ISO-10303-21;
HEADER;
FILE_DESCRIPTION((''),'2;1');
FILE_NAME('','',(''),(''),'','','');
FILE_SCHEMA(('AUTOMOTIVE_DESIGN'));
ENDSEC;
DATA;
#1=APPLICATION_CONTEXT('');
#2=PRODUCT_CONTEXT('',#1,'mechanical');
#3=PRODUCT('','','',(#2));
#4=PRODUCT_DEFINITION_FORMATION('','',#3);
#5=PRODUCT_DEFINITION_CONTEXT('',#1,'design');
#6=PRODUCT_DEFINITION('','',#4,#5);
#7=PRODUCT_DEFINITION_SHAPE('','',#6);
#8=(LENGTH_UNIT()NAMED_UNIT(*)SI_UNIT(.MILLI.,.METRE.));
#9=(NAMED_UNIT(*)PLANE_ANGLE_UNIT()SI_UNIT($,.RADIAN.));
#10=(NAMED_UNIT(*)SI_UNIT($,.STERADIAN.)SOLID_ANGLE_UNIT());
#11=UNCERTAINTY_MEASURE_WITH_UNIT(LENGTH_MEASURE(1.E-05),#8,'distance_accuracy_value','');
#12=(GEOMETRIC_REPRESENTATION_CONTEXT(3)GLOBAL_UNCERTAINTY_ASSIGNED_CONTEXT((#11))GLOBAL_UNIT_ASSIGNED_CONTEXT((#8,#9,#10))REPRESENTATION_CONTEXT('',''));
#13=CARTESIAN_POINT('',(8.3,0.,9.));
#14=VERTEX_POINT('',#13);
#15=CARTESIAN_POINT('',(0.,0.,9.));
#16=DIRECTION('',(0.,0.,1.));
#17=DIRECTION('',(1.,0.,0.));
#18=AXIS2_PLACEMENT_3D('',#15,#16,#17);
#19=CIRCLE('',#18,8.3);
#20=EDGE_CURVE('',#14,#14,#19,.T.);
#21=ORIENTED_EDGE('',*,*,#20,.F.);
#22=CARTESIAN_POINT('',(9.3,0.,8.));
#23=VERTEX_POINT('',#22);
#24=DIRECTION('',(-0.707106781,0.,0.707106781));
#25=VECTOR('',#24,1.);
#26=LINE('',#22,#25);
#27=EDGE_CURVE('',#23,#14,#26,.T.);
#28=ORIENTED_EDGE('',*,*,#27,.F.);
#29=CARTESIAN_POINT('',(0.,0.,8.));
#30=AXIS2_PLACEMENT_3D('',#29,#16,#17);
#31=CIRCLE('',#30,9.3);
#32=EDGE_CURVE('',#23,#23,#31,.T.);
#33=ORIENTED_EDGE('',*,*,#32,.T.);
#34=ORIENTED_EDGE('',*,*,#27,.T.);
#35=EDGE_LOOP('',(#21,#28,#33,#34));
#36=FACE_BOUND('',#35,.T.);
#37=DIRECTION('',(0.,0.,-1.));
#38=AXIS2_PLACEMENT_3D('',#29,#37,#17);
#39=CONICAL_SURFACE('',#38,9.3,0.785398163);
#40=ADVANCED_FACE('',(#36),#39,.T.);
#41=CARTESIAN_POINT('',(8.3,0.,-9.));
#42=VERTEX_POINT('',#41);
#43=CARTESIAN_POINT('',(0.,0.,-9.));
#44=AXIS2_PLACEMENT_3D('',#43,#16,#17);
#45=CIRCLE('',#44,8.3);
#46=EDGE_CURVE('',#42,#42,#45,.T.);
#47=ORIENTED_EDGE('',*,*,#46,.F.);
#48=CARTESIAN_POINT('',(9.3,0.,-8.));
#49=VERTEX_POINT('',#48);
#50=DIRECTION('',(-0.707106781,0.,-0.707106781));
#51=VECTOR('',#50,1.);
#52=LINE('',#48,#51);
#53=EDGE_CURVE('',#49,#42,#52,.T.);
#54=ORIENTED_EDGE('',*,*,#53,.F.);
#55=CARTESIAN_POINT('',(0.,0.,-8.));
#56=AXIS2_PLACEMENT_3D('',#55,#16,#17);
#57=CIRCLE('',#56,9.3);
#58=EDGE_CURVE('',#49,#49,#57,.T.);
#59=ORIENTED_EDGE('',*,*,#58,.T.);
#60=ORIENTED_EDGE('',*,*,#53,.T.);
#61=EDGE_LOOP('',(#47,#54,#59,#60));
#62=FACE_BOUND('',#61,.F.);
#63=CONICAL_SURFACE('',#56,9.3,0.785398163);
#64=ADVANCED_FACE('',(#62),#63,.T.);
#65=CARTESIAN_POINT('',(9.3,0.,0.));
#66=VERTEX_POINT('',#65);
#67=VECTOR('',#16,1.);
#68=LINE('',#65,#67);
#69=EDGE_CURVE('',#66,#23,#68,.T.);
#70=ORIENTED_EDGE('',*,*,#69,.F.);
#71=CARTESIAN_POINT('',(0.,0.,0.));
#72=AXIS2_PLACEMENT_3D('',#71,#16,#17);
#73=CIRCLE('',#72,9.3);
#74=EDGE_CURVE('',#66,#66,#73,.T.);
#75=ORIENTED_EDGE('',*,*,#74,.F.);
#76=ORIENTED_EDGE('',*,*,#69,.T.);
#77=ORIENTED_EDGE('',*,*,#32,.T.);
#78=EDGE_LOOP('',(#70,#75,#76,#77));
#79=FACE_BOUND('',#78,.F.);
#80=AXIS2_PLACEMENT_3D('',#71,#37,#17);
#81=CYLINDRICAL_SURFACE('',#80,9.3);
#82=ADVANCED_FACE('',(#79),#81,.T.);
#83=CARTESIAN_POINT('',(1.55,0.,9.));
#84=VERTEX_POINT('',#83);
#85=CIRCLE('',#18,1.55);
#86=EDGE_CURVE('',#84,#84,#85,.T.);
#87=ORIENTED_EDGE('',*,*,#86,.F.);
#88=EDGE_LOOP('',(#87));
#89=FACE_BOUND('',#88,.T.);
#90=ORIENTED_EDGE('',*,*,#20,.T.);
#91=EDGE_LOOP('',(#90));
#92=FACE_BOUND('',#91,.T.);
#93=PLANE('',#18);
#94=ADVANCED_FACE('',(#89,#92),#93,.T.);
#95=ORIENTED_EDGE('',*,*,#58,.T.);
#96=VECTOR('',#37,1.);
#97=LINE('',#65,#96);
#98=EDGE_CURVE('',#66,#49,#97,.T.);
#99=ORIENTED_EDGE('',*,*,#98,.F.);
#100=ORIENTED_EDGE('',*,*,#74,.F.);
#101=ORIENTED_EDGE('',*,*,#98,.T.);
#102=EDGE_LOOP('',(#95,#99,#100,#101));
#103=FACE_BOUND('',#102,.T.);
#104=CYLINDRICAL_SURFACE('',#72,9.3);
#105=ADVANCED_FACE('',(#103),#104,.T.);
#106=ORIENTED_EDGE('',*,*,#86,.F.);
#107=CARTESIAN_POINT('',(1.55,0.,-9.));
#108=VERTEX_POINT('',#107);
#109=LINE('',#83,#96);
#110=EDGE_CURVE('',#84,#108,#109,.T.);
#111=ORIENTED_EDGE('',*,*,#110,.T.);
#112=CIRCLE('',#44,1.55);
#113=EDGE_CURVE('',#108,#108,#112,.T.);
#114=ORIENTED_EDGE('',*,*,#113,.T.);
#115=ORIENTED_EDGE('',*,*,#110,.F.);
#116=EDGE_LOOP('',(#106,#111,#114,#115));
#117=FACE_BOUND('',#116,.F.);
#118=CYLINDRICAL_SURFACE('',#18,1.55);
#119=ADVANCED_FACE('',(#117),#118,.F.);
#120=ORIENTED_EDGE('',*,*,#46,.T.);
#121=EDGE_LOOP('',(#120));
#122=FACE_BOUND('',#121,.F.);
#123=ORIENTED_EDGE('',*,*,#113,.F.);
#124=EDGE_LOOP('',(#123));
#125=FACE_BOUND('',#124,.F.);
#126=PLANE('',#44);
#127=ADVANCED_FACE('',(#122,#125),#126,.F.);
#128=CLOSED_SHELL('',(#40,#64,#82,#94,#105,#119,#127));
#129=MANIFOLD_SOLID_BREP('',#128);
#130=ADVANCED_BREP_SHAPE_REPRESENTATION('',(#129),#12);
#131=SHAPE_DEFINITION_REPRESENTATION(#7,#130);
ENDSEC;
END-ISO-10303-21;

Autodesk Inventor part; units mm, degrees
ref_plane "YZ Plane" through (0, 0, 0) normal (1, 0, 0) x (0, 1, 0)
ref_plane "XZ Plane" through (0, 0, 0) normal (0, 1, 0) x (-1, 0, 0)
ref_plane "XY Plane" through (0, 0, 0) normal (0, 0, 1) x (1, 0, 0)
sketch "Sketch1" plane through (0, 0, 0) normal (0, 0, 1) x (1, 0, 0)
  circle A0 centre (0, 0) radius 9.3
  dimension "d0" = 18.6
extrude "Extrusion1" add sketch "Sketch1" along normal mid plane 18
chamfer "Chamfer1" distance 1 angle 45 2 edges at (-9.3, 0, 9) (-9.3, 0, -9)
sketch "Sketch2" plane through (0, 0, 9) normal (0, 0, 1) x (1, 0, 0)
  circle A0 centre (0, 0) radius 1.55
  dimension "d6" = 3.1
extrude "Extrusion2" cut sketch "Sketch2" against normal blind 18
properties part number "Roller"
